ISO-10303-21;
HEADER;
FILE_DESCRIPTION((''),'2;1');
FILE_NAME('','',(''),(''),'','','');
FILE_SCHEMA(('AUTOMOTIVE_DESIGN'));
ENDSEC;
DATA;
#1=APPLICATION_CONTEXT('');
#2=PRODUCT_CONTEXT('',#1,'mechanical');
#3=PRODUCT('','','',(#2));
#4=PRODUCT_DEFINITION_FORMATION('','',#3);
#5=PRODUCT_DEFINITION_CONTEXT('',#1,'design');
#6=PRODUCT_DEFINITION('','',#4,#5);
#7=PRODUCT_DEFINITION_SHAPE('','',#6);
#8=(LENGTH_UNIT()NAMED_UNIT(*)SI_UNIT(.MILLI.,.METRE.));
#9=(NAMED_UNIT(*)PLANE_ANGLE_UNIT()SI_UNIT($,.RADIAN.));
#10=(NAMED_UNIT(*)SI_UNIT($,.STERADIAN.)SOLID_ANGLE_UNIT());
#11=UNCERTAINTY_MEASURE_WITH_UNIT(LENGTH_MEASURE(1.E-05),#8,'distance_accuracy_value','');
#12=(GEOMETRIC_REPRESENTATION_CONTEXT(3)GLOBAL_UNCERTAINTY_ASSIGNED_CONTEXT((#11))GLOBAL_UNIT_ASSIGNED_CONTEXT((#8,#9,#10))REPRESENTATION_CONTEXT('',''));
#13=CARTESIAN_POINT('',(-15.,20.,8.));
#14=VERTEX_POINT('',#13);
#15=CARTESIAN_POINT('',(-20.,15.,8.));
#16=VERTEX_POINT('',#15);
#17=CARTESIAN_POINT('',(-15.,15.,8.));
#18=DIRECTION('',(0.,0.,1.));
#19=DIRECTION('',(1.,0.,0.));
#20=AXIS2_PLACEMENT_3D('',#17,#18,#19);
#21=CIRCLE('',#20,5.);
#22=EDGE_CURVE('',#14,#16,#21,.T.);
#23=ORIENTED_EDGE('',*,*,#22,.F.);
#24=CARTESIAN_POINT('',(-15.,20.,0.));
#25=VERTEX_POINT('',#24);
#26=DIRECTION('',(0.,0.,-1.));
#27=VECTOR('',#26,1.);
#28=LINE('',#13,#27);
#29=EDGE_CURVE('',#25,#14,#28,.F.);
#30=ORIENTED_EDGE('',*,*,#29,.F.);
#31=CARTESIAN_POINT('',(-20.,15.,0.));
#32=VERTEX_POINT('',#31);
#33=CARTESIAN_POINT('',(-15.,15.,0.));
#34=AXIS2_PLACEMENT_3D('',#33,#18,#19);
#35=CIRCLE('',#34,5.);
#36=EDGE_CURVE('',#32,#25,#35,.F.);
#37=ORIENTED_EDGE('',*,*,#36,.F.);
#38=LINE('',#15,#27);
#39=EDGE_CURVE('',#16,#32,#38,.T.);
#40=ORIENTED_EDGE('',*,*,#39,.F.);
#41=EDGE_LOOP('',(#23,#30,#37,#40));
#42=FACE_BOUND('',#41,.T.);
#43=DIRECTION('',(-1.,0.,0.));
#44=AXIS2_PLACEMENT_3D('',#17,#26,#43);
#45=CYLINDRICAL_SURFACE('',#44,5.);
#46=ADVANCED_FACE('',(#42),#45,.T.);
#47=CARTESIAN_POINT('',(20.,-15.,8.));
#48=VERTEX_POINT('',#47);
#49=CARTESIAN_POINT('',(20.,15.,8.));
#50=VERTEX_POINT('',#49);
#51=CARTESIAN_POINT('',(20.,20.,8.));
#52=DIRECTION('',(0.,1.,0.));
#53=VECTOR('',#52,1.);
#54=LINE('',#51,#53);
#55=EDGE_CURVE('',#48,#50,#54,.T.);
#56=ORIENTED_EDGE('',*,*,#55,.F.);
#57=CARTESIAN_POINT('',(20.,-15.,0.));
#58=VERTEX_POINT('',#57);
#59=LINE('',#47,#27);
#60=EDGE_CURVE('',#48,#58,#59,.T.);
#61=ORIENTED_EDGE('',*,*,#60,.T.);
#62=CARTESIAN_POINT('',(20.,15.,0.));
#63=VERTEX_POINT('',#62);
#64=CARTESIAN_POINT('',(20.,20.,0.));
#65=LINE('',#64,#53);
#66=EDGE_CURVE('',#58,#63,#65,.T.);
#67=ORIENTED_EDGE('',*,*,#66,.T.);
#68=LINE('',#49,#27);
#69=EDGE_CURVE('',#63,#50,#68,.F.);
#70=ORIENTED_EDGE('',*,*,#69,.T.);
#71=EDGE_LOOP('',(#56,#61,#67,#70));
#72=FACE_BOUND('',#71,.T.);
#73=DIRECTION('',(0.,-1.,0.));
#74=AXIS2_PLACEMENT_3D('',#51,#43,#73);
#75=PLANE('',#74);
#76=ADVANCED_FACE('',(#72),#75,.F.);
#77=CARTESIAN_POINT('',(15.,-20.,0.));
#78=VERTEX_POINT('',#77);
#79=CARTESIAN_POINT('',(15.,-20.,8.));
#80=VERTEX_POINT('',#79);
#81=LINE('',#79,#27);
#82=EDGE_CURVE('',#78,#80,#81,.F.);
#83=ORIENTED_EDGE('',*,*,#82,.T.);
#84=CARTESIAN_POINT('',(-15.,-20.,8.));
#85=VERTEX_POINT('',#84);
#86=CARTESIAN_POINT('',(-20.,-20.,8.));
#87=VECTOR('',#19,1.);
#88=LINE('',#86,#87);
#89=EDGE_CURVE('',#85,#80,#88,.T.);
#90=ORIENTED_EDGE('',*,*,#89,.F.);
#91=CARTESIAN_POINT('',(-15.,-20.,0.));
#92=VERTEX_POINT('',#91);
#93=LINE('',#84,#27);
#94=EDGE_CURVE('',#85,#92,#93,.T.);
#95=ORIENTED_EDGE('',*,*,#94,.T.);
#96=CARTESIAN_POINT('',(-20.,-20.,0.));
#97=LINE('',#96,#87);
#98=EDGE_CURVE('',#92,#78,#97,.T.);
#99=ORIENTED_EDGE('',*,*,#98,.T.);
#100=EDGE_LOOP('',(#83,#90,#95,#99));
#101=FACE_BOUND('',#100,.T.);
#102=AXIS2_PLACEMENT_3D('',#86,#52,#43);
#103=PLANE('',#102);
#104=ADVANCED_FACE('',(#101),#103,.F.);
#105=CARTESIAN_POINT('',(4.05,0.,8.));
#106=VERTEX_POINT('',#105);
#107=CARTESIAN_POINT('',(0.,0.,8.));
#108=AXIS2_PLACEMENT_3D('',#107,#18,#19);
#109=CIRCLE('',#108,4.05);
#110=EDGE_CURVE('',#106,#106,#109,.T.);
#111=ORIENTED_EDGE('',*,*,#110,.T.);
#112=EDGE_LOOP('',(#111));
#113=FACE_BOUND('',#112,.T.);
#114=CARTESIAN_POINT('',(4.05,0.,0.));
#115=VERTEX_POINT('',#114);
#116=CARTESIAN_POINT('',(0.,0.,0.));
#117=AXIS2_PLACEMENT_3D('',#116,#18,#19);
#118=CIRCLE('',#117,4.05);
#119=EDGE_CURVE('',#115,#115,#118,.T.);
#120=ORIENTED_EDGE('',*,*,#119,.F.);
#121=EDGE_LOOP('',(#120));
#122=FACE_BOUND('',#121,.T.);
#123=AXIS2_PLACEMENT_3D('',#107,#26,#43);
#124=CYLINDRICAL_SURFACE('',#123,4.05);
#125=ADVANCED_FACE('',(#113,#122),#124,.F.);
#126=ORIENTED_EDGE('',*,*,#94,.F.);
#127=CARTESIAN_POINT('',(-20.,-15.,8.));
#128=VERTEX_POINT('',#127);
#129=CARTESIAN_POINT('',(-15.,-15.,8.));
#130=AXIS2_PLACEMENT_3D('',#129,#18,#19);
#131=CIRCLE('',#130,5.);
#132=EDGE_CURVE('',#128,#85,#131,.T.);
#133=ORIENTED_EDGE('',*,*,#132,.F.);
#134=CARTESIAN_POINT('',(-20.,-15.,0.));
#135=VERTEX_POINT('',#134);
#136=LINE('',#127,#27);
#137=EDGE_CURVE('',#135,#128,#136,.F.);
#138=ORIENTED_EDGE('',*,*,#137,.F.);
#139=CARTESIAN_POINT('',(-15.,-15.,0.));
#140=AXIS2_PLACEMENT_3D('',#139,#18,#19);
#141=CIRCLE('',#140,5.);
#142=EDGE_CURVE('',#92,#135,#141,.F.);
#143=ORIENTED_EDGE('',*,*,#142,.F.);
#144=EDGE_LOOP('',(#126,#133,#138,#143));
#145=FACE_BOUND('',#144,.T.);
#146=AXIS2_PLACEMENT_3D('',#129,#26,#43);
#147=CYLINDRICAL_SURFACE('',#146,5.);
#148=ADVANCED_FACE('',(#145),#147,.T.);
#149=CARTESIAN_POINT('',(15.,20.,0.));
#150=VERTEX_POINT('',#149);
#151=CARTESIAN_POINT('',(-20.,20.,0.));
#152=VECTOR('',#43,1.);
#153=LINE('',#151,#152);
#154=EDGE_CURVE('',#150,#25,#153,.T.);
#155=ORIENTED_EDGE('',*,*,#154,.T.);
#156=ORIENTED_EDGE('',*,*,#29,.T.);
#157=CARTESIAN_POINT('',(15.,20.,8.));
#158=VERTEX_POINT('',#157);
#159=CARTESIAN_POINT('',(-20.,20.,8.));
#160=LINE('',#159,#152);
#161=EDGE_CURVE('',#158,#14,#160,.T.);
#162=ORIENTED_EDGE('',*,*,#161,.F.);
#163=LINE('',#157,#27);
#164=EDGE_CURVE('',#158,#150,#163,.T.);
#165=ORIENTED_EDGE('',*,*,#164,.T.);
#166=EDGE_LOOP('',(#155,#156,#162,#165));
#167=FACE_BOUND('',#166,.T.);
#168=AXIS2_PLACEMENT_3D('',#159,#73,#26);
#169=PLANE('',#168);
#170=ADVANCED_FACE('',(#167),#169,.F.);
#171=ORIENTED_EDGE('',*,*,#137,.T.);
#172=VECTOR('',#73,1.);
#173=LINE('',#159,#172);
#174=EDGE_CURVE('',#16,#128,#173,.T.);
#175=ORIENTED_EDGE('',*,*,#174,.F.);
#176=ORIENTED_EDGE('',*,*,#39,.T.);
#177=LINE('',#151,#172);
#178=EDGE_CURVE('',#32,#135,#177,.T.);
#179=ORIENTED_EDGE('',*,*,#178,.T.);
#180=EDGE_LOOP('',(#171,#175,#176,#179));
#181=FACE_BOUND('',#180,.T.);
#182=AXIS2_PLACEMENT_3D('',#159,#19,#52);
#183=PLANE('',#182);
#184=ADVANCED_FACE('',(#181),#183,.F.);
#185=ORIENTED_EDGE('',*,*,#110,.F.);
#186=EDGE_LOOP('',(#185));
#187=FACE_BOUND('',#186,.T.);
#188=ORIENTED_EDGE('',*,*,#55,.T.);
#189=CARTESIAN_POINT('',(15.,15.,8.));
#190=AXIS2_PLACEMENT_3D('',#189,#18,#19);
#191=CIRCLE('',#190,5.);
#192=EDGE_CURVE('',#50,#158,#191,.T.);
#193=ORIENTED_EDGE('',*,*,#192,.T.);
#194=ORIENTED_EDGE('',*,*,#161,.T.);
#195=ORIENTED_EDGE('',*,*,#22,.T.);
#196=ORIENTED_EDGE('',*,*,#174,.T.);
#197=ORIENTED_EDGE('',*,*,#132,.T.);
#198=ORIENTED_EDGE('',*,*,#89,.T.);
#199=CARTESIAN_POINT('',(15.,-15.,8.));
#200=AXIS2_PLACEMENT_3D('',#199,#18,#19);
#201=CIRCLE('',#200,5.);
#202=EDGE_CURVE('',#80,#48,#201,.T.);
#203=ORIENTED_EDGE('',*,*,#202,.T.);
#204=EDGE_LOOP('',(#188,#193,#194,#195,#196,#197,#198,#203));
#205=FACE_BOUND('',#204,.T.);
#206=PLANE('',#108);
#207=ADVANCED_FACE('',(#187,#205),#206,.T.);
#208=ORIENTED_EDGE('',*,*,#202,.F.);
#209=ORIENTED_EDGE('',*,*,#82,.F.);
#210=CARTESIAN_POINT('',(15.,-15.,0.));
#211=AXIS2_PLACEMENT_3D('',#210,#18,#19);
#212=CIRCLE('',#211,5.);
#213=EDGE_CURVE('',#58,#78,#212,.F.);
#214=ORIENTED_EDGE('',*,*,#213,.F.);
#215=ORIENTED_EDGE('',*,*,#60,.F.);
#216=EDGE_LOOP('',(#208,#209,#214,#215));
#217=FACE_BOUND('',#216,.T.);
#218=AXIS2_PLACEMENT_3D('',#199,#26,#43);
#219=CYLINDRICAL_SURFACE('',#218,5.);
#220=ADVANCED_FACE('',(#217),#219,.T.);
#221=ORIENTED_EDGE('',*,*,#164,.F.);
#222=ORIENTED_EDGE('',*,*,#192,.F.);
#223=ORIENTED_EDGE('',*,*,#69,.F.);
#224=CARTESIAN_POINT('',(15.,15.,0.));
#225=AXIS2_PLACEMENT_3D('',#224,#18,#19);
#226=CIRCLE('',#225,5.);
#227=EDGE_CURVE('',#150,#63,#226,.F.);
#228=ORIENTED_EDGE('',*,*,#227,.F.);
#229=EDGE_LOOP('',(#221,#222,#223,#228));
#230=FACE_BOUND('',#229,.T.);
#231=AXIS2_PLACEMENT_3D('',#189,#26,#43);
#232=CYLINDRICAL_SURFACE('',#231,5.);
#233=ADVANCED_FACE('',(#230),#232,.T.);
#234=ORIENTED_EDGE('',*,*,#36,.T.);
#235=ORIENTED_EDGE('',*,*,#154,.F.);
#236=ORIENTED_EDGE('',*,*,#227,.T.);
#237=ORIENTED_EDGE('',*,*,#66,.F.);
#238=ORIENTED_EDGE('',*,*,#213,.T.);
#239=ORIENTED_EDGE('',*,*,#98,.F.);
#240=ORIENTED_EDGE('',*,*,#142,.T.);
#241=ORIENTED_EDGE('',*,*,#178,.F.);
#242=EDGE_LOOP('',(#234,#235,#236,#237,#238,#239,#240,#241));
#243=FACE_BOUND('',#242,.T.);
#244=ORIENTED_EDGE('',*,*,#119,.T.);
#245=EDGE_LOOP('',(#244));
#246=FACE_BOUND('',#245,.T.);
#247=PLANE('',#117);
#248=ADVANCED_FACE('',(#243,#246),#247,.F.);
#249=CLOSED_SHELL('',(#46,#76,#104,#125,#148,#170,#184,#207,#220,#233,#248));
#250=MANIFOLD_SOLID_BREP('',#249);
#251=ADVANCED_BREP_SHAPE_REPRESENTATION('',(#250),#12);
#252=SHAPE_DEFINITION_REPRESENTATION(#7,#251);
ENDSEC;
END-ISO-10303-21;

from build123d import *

# Parameters (mm, degrees)
SKETCH1_W           = 40
SKETCH1_H           = 40
SKETCH1_R           = 4.05
BOSS_EXTRUDE1_DEPTH = 8
FILLET1_R           = 5


with BuildPart() as part:
    # Sketch1 → Boss-Extrude1 (new body)
    with BuildSketch(Plane.XY):
        Rectangle(SKETCH1_W, SKETCH1_H)
        Circle(SKETCH1_R, mode=Mode.SUBTRACT)
    extrude(amount=BOSS_EXTRUDE1_DEPTH)

    # Fillet1
    fillet1_edges = [part.edges().sort_by_distance(p)[0] for p in [
        (20, -20, 4),
        (-20, -20, 4),
        (-20, 20, 4),
        (20, 20, 4),
    ]]
    fillet(fillet1_edges, radius=FILLET1_R)


solid = part.part
